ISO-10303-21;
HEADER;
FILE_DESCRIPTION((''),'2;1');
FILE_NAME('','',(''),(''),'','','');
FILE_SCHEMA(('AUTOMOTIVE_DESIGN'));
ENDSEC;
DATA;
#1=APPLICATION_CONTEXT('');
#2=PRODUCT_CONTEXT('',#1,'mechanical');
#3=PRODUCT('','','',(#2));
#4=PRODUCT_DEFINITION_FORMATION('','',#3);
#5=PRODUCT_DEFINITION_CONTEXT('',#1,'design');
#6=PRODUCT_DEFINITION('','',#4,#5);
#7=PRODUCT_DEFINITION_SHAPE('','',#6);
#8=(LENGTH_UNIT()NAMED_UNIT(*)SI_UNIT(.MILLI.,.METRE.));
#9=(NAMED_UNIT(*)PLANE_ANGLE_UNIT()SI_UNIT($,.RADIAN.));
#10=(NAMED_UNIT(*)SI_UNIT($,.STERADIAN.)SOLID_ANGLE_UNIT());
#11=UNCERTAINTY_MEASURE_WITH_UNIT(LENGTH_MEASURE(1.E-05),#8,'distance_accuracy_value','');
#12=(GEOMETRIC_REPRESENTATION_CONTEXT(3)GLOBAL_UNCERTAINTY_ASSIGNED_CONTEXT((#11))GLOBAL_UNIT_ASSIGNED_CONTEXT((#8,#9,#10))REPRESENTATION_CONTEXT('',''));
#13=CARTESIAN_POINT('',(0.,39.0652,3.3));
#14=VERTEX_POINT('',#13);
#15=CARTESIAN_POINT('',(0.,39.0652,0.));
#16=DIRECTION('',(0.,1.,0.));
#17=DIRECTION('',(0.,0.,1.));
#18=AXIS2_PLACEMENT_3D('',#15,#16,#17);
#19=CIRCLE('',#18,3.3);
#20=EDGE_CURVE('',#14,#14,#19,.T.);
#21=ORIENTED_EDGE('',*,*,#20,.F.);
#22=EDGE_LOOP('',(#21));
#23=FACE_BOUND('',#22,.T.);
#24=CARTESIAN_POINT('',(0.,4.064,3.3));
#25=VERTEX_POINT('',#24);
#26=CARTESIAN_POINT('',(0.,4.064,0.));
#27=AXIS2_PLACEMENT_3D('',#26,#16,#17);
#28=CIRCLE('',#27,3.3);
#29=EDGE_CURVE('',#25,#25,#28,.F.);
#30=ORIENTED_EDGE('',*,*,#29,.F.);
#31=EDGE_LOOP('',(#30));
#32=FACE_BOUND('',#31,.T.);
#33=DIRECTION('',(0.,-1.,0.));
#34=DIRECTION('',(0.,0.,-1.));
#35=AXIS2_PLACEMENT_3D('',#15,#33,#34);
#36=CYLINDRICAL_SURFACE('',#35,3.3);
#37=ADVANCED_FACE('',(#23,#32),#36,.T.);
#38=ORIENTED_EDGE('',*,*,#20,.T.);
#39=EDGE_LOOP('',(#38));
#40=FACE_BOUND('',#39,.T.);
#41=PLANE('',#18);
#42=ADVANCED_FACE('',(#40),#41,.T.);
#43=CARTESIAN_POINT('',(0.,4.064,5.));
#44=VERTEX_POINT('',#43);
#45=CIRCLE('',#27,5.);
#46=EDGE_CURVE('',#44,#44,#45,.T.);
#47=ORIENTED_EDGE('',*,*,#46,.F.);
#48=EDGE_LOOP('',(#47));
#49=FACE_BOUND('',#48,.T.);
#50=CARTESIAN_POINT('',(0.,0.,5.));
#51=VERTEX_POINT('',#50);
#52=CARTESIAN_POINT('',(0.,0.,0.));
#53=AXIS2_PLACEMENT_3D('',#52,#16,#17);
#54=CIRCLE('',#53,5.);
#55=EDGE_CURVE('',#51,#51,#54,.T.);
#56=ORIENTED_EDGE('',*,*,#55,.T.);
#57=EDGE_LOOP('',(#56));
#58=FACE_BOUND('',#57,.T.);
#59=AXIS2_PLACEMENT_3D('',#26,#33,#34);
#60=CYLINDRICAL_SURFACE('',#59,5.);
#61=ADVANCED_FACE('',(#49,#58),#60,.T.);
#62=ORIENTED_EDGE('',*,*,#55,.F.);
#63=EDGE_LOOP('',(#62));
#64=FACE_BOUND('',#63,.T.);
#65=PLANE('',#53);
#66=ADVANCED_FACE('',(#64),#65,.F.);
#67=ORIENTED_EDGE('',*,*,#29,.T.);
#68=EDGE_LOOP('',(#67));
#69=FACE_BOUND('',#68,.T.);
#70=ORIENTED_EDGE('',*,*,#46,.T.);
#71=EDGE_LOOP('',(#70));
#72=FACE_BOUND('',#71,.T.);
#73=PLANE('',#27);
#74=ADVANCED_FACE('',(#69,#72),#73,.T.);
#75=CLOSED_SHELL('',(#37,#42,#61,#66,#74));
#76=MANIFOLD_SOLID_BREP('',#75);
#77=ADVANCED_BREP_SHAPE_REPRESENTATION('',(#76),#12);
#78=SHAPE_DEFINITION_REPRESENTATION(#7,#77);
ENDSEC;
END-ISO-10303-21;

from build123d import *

# Parameters (mm, degrees)
SKETCH1_R           = 5
BOSS_EXTRUDE1_DEPTH = 4.064
BOSS_EXTRUDE2_START = -4.064
SKETCH2_R           = 3.3
BOSS_EXTRUDE2_DEPTH = 39.0652


with BuildPart() as part:
    # Sketch1 → Boss-Extrude1 (new body)
    with BuildSketch(Plane(origin=(0, 0, 0), x_dir=(1, 0, 0), z_dir=(0, 1, 0))):
        Circle(SKETCH1_R)
    extrude(amount=BOSS_EXTRUDE1_DEPTH)

    # Sketch2 → Boss-Extrude2 (add)
    with BuildSketch(Plane(origin=(0, 4.064, 0), x_dir=(1, 0, 0), z_dir=(0, 1, 0)).offset(BOSS_EXTRUDE2_START)):
        Circle(SKETCH2_R)
    extrude(amount=BOSS_EXTRUDE2_DEPTH)


solid = part.part
